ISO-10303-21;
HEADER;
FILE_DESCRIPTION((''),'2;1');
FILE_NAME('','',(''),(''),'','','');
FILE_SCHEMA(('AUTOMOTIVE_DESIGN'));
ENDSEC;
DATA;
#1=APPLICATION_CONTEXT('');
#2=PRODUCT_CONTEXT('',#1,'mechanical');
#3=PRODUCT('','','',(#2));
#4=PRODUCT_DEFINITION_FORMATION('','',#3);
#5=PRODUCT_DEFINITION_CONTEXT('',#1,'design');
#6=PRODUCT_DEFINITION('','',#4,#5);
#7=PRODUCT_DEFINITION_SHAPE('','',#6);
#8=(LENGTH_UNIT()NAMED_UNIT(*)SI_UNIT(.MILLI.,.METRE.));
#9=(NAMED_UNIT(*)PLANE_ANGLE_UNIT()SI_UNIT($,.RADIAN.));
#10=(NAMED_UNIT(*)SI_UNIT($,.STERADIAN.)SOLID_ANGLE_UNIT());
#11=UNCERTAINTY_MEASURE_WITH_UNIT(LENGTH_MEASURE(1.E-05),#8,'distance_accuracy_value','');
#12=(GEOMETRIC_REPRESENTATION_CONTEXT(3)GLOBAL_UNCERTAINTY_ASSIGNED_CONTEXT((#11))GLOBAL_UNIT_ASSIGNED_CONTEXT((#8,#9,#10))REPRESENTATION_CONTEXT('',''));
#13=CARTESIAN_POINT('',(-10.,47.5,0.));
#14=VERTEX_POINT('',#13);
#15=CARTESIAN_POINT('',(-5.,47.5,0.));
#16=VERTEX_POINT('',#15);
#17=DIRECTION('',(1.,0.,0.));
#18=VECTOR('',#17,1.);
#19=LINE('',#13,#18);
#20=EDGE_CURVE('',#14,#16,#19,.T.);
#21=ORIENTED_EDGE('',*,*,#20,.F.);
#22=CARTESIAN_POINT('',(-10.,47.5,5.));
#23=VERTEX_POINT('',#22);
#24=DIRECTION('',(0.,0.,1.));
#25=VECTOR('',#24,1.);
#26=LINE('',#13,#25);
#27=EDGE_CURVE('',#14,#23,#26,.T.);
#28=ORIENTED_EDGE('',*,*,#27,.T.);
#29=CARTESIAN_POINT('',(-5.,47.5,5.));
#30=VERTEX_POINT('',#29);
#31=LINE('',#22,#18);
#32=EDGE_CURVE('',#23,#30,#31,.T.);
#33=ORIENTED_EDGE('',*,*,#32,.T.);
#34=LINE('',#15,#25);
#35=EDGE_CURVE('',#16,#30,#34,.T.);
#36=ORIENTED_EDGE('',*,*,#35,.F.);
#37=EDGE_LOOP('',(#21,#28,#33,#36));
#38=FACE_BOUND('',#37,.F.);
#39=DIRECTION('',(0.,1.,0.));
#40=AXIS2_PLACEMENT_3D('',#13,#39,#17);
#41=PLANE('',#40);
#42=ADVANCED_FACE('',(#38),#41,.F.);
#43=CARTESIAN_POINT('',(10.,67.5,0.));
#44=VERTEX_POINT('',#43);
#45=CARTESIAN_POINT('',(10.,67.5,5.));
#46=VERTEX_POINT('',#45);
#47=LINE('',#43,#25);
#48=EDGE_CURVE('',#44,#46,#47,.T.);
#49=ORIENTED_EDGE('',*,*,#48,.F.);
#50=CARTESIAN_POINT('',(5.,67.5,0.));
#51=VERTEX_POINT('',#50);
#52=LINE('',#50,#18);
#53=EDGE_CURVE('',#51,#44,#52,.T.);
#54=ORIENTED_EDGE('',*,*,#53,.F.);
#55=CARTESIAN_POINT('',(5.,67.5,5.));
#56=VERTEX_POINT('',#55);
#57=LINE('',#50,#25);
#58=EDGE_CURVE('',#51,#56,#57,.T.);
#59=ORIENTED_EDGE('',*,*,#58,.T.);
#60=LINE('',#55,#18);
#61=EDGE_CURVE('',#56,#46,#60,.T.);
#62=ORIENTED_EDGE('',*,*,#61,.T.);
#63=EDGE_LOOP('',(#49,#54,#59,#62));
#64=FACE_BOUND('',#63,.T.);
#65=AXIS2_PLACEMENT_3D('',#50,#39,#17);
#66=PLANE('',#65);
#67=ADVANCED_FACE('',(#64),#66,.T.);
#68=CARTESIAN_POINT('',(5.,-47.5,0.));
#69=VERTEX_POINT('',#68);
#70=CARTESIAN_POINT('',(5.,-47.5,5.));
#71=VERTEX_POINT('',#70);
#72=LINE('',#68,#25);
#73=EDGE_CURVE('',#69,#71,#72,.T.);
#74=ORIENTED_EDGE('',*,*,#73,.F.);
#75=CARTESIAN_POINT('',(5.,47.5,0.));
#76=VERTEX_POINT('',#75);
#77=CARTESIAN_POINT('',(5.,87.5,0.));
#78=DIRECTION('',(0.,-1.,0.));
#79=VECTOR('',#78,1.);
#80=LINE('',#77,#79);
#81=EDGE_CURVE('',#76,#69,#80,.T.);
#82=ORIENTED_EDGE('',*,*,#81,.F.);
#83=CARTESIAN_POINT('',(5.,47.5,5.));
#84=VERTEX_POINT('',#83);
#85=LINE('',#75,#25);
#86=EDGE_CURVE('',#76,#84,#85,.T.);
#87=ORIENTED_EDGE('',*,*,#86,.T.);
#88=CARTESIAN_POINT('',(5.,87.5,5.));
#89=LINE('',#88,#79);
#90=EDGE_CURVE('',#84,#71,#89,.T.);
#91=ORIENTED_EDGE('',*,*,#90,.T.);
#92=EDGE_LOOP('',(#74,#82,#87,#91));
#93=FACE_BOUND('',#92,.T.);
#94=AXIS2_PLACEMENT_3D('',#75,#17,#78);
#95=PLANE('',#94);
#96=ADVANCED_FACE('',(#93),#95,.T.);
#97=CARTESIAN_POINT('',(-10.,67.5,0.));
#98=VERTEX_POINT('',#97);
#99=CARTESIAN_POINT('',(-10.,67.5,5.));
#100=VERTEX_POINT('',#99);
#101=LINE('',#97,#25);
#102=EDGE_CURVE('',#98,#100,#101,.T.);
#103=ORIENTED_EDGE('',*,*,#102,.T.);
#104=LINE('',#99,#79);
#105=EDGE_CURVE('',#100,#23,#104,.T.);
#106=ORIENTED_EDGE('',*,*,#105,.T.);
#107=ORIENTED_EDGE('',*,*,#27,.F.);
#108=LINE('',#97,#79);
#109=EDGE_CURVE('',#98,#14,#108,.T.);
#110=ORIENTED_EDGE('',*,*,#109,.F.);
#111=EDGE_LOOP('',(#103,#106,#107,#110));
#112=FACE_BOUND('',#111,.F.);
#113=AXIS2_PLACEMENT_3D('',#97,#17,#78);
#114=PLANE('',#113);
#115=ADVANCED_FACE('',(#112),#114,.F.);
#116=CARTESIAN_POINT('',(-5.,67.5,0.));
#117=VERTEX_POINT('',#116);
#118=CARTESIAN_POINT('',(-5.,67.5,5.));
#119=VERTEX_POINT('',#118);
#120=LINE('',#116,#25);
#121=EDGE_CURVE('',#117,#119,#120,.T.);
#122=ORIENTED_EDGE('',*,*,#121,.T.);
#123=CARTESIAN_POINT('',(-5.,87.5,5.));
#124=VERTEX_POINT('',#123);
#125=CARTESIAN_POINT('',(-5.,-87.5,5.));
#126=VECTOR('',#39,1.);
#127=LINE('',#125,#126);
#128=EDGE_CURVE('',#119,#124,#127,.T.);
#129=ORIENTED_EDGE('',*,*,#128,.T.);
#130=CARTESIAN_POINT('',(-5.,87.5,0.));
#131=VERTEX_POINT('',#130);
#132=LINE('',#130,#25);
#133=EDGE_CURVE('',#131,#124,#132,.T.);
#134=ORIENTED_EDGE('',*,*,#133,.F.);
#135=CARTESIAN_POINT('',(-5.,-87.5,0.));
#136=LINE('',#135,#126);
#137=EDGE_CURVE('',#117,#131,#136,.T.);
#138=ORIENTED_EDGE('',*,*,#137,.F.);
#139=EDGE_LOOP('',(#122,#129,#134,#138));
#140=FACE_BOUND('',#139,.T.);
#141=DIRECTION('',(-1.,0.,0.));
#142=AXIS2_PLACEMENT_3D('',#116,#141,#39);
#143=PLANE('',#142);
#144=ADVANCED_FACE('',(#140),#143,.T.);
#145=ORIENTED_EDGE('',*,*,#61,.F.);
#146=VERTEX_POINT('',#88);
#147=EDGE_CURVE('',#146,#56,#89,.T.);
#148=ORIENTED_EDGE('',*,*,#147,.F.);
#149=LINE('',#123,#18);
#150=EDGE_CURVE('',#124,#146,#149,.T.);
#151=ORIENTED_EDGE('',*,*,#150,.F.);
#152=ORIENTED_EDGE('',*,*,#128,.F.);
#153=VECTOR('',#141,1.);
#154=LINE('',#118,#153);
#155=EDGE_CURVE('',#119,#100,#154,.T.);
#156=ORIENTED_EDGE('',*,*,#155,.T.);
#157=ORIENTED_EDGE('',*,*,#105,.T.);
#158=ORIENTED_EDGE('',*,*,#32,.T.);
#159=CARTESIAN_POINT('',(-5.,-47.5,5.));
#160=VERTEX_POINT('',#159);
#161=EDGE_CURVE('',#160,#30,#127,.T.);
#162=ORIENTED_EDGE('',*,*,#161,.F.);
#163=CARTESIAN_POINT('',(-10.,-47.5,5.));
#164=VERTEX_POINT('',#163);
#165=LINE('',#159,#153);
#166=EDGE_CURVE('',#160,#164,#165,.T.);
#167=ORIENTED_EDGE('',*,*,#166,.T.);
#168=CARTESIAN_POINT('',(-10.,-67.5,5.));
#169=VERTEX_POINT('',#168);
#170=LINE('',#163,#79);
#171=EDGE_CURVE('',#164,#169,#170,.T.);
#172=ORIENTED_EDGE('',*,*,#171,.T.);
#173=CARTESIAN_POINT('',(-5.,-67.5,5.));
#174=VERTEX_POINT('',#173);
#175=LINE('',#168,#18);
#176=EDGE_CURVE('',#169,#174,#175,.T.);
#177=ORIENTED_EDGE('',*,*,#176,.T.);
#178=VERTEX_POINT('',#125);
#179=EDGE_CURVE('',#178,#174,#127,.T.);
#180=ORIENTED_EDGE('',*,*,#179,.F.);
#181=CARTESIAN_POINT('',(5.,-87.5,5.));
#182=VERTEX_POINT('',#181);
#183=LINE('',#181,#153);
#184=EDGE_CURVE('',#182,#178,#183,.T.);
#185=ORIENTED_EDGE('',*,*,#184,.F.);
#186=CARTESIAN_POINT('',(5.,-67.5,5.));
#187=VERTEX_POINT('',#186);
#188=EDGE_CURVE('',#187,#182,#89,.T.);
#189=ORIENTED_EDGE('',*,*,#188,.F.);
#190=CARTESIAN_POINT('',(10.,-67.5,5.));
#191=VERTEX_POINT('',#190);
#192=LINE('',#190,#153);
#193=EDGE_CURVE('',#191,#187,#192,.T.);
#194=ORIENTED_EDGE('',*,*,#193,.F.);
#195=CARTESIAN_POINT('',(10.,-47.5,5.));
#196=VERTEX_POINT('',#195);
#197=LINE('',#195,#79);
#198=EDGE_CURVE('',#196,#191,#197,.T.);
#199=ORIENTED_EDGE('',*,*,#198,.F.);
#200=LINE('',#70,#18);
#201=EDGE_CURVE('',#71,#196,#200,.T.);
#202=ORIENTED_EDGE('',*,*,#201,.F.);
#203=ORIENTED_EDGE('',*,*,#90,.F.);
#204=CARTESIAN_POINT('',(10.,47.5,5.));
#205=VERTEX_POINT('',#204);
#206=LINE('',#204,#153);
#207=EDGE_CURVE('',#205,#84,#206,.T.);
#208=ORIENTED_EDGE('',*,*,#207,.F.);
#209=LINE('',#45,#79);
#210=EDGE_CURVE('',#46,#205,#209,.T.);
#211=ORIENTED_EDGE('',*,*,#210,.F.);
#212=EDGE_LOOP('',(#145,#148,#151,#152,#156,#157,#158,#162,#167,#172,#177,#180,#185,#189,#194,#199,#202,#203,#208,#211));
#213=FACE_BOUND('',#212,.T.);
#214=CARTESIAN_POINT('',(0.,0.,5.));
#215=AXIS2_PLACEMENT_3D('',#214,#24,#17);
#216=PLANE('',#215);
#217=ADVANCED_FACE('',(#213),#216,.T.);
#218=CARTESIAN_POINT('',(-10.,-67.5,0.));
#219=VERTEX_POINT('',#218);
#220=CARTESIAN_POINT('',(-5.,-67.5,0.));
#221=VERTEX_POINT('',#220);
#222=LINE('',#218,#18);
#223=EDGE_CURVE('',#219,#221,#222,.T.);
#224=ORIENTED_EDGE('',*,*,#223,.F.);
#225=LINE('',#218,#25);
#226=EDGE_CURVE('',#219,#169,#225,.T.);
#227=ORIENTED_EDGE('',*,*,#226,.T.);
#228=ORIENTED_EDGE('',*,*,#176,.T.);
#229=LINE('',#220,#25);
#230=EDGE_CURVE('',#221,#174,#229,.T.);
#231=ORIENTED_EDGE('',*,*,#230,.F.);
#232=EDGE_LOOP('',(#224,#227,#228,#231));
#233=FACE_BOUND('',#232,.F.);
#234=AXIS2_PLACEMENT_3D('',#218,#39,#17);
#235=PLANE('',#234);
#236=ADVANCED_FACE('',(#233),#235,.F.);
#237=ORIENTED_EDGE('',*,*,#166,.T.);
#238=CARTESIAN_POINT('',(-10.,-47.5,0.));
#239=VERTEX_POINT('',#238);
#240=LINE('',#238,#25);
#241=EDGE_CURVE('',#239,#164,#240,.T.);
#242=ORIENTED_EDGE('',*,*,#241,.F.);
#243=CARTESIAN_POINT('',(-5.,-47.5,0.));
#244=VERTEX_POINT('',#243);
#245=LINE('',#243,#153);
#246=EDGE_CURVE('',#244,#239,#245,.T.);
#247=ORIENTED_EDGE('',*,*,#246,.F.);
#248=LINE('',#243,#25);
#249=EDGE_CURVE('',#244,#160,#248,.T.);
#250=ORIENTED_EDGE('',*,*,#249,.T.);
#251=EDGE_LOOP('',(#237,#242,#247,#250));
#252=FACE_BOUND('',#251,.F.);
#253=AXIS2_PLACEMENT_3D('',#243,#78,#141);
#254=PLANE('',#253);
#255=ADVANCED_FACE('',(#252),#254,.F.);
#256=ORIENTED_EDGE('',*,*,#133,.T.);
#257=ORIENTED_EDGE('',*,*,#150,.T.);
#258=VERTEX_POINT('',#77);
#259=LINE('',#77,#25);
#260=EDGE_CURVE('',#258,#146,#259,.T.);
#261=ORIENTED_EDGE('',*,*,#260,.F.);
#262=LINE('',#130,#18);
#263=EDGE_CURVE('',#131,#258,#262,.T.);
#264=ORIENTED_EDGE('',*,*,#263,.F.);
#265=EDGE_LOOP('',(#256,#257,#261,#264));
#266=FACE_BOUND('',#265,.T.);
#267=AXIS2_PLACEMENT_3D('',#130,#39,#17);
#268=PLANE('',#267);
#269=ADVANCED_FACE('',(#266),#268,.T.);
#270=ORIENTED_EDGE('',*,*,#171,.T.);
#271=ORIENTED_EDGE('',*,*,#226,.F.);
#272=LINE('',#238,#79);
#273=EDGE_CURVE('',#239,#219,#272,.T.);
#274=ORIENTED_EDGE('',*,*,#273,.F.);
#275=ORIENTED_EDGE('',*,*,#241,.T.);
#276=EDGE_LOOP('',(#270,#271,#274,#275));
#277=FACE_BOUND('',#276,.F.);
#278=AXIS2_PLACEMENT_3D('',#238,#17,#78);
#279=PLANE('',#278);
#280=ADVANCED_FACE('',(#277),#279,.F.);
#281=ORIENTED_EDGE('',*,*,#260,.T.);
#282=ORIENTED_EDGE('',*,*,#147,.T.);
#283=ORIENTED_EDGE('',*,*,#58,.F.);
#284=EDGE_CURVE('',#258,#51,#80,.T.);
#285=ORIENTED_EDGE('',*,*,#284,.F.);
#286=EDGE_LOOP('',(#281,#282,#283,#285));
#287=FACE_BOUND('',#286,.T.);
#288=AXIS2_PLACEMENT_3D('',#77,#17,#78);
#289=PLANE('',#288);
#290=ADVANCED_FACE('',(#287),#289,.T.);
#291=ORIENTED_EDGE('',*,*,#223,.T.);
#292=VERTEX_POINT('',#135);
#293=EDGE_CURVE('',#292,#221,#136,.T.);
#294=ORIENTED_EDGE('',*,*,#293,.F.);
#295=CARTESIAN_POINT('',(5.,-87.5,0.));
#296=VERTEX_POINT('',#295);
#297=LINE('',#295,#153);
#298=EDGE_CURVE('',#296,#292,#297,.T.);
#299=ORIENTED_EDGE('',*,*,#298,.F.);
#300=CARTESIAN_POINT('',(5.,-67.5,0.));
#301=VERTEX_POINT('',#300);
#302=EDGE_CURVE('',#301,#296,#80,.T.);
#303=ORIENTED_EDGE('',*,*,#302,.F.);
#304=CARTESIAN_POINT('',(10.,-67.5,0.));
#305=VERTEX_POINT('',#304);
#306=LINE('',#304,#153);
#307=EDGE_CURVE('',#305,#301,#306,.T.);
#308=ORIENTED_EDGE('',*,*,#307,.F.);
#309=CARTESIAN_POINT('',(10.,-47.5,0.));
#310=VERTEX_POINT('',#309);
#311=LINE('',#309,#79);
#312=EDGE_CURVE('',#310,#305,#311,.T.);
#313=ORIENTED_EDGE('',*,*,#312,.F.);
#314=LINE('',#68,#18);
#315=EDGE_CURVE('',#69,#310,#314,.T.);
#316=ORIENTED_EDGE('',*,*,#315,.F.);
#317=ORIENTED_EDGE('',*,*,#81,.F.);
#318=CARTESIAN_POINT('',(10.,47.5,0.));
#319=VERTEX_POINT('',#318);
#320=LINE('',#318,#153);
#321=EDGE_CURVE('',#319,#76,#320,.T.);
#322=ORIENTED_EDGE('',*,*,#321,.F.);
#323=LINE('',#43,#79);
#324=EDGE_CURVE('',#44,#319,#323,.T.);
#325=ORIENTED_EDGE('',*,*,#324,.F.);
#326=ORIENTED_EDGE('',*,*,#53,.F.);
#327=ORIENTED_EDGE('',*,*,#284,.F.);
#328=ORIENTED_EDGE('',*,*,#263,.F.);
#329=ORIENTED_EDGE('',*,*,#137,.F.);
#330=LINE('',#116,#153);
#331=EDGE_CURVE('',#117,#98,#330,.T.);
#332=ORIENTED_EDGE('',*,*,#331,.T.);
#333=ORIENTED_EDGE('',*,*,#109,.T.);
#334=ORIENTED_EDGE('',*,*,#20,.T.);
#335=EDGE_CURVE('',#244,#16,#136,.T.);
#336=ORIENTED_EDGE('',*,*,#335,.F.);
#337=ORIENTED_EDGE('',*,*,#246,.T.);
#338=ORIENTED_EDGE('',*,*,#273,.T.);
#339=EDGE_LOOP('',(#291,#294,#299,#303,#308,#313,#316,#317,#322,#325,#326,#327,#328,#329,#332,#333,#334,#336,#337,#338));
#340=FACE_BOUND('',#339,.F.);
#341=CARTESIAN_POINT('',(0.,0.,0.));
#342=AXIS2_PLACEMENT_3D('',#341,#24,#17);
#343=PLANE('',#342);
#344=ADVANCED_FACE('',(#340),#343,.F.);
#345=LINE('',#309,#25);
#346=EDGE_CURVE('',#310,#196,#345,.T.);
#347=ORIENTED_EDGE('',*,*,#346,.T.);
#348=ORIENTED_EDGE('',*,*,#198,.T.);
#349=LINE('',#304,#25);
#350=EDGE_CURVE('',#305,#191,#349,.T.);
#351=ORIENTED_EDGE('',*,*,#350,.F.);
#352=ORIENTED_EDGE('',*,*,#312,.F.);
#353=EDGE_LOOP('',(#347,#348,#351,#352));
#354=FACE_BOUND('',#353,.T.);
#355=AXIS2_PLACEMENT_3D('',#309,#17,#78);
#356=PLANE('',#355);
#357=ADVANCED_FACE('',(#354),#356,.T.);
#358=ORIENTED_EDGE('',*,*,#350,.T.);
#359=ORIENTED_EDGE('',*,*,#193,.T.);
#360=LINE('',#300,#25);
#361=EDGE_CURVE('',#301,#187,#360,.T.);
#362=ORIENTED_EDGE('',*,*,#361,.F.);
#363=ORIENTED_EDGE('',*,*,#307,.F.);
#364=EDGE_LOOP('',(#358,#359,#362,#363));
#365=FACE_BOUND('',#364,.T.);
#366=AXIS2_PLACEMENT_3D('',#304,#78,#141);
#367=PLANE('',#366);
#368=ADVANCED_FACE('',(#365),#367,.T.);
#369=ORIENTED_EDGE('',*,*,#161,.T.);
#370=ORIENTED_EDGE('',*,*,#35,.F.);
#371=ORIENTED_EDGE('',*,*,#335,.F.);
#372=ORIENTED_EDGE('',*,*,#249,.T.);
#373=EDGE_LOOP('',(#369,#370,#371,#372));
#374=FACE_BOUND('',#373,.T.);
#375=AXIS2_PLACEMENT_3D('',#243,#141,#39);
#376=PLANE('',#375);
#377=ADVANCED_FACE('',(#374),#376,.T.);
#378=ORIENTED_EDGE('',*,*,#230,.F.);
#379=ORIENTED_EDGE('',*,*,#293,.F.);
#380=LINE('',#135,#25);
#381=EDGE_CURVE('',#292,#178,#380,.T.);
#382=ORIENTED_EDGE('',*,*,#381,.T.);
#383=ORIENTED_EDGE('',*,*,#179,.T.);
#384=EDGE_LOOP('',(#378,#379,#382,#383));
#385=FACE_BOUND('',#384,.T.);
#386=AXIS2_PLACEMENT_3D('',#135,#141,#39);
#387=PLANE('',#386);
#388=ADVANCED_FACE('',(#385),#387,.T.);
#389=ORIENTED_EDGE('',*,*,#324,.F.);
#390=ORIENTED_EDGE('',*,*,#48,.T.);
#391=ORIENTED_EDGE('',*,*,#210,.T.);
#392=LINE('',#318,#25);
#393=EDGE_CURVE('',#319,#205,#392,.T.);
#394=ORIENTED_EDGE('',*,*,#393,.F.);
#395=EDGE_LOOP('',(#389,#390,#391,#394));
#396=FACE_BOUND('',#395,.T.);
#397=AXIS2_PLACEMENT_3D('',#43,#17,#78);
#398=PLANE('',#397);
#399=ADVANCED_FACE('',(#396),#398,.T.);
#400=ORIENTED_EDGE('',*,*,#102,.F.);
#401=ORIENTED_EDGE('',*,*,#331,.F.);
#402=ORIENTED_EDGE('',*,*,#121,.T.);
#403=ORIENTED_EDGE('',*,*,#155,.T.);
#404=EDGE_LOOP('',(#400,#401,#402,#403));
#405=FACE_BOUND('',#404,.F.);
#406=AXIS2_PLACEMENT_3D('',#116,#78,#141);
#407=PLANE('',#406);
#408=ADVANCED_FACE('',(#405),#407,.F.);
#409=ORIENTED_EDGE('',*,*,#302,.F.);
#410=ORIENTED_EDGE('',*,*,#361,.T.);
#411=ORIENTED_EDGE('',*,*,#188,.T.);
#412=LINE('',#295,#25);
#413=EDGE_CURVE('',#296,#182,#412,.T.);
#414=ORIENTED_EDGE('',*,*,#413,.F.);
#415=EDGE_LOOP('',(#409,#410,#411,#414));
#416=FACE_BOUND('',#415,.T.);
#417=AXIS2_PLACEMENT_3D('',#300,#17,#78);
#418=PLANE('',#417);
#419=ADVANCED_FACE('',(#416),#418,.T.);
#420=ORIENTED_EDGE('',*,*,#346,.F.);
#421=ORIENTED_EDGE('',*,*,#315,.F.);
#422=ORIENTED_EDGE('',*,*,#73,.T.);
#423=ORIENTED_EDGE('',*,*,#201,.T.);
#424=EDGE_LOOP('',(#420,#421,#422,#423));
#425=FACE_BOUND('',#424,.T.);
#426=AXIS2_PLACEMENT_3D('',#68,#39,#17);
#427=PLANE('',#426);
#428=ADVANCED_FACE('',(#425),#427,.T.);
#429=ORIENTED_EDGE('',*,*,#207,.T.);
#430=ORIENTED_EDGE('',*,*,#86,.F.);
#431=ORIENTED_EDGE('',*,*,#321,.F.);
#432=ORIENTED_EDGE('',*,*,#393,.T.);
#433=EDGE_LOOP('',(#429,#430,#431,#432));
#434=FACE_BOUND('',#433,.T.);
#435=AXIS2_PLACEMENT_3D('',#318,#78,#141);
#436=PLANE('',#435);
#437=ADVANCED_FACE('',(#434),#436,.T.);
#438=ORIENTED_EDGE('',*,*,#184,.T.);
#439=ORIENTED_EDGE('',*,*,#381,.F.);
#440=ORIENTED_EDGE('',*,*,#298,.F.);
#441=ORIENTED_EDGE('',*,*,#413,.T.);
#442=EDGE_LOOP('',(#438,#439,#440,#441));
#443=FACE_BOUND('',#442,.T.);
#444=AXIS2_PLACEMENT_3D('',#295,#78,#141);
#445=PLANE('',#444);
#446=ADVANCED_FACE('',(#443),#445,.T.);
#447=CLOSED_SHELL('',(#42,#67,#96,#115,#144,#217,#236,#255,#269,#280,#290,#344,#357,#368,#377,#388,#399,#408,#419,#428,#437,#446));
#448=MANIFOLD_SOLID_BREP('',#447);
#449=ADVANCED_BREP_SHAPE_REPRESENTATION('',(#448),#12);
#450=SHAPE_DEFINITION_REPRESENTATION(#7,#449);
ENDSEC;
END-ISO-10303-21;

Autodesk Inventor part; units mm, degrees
ref_plane "YZ Plane" through (0, 0, 0) normal (1, 0, 0) x (0, 1, 0)
ref_plane "XZ Plane" through (0, 0, 0) normal (0, 1, 0) x (-1, 0, 0)
ref_plane "XY Plane" through (0, 0, 0) normal (0, 0, 1) x (1, 0, 0)
sketch "Sketch1" plane through (0, 0, 0) normal (0, 0, 1) x (1, 0, 0)
  line L0 (-5, 87.5) -> (5, 87.5)
  line L1 (5, 87.5) -> (5, -87.5)
  line L2 (5, -87.5) -> (-5, -87.5)
  line L3 (-5, -87.5) -> (-5, 87.5)
  line L4 (-5, 67.5) -> (-10, 67.5)
  line L5 (-10, 67.5) -> (-10, 47.5)
  line L6 (-10, 47.5) -> (-5, 47.5)
  line L7 (-5, 47.5) -> (-5, 67.5)
  line L8 (5, 67.5) -> (10, 67.5)
  line L9 (10, 67.5) -> (10, 47.5)
  line L10 (10, 47.5) -> (5, 47.5)
  line L11 (5, 47.5) -> (5, 67.5)
  line L12 (-5, -47.5) -> (-10, -47.5)
  line L13 (-10, -47.5) -> (-10, -67.5)
  line L14 (-10, -67.5) -> (-5, -67.5)
  line L15 (-5, -67.5) -> (-5, -47.5)
  line L16 (5, -47.5) -> (10, -47.5)
  line L17 (10, -47.5) -> (10, -67.5)
  line L18 (10, -67.5) -> (5, -67.5)
  line L19 (5, -67.5) -> (5, -47.5)
  point P0 (0, 0)
  point P1 (-7.5, -67.5)
  point P2 (-5, 47.5)
  point P3 (5, 47.5)
  dimension "d0" = 10
  dimension "d1" = 175
  dimension "d2" = 5
  dimension "d3" = 20
  dimension "d4" = 5
  dimension "d5" = 87.5
  dimension "d6" = 20
  dimension "d7" = 5
  dimension "d8" = 20
  dimension "d9" = 20
  dimension "d10" = 5
  dimension "d11" = 20
  dimension "d12" = 5
  dimension "d13" = 20
  dimension "d14" = 20
  dimension "d16" = 20
extrude "Extrusion1" add sketch "Sketch1" along normal blind 5
properties part number "standformiddleslide2"
